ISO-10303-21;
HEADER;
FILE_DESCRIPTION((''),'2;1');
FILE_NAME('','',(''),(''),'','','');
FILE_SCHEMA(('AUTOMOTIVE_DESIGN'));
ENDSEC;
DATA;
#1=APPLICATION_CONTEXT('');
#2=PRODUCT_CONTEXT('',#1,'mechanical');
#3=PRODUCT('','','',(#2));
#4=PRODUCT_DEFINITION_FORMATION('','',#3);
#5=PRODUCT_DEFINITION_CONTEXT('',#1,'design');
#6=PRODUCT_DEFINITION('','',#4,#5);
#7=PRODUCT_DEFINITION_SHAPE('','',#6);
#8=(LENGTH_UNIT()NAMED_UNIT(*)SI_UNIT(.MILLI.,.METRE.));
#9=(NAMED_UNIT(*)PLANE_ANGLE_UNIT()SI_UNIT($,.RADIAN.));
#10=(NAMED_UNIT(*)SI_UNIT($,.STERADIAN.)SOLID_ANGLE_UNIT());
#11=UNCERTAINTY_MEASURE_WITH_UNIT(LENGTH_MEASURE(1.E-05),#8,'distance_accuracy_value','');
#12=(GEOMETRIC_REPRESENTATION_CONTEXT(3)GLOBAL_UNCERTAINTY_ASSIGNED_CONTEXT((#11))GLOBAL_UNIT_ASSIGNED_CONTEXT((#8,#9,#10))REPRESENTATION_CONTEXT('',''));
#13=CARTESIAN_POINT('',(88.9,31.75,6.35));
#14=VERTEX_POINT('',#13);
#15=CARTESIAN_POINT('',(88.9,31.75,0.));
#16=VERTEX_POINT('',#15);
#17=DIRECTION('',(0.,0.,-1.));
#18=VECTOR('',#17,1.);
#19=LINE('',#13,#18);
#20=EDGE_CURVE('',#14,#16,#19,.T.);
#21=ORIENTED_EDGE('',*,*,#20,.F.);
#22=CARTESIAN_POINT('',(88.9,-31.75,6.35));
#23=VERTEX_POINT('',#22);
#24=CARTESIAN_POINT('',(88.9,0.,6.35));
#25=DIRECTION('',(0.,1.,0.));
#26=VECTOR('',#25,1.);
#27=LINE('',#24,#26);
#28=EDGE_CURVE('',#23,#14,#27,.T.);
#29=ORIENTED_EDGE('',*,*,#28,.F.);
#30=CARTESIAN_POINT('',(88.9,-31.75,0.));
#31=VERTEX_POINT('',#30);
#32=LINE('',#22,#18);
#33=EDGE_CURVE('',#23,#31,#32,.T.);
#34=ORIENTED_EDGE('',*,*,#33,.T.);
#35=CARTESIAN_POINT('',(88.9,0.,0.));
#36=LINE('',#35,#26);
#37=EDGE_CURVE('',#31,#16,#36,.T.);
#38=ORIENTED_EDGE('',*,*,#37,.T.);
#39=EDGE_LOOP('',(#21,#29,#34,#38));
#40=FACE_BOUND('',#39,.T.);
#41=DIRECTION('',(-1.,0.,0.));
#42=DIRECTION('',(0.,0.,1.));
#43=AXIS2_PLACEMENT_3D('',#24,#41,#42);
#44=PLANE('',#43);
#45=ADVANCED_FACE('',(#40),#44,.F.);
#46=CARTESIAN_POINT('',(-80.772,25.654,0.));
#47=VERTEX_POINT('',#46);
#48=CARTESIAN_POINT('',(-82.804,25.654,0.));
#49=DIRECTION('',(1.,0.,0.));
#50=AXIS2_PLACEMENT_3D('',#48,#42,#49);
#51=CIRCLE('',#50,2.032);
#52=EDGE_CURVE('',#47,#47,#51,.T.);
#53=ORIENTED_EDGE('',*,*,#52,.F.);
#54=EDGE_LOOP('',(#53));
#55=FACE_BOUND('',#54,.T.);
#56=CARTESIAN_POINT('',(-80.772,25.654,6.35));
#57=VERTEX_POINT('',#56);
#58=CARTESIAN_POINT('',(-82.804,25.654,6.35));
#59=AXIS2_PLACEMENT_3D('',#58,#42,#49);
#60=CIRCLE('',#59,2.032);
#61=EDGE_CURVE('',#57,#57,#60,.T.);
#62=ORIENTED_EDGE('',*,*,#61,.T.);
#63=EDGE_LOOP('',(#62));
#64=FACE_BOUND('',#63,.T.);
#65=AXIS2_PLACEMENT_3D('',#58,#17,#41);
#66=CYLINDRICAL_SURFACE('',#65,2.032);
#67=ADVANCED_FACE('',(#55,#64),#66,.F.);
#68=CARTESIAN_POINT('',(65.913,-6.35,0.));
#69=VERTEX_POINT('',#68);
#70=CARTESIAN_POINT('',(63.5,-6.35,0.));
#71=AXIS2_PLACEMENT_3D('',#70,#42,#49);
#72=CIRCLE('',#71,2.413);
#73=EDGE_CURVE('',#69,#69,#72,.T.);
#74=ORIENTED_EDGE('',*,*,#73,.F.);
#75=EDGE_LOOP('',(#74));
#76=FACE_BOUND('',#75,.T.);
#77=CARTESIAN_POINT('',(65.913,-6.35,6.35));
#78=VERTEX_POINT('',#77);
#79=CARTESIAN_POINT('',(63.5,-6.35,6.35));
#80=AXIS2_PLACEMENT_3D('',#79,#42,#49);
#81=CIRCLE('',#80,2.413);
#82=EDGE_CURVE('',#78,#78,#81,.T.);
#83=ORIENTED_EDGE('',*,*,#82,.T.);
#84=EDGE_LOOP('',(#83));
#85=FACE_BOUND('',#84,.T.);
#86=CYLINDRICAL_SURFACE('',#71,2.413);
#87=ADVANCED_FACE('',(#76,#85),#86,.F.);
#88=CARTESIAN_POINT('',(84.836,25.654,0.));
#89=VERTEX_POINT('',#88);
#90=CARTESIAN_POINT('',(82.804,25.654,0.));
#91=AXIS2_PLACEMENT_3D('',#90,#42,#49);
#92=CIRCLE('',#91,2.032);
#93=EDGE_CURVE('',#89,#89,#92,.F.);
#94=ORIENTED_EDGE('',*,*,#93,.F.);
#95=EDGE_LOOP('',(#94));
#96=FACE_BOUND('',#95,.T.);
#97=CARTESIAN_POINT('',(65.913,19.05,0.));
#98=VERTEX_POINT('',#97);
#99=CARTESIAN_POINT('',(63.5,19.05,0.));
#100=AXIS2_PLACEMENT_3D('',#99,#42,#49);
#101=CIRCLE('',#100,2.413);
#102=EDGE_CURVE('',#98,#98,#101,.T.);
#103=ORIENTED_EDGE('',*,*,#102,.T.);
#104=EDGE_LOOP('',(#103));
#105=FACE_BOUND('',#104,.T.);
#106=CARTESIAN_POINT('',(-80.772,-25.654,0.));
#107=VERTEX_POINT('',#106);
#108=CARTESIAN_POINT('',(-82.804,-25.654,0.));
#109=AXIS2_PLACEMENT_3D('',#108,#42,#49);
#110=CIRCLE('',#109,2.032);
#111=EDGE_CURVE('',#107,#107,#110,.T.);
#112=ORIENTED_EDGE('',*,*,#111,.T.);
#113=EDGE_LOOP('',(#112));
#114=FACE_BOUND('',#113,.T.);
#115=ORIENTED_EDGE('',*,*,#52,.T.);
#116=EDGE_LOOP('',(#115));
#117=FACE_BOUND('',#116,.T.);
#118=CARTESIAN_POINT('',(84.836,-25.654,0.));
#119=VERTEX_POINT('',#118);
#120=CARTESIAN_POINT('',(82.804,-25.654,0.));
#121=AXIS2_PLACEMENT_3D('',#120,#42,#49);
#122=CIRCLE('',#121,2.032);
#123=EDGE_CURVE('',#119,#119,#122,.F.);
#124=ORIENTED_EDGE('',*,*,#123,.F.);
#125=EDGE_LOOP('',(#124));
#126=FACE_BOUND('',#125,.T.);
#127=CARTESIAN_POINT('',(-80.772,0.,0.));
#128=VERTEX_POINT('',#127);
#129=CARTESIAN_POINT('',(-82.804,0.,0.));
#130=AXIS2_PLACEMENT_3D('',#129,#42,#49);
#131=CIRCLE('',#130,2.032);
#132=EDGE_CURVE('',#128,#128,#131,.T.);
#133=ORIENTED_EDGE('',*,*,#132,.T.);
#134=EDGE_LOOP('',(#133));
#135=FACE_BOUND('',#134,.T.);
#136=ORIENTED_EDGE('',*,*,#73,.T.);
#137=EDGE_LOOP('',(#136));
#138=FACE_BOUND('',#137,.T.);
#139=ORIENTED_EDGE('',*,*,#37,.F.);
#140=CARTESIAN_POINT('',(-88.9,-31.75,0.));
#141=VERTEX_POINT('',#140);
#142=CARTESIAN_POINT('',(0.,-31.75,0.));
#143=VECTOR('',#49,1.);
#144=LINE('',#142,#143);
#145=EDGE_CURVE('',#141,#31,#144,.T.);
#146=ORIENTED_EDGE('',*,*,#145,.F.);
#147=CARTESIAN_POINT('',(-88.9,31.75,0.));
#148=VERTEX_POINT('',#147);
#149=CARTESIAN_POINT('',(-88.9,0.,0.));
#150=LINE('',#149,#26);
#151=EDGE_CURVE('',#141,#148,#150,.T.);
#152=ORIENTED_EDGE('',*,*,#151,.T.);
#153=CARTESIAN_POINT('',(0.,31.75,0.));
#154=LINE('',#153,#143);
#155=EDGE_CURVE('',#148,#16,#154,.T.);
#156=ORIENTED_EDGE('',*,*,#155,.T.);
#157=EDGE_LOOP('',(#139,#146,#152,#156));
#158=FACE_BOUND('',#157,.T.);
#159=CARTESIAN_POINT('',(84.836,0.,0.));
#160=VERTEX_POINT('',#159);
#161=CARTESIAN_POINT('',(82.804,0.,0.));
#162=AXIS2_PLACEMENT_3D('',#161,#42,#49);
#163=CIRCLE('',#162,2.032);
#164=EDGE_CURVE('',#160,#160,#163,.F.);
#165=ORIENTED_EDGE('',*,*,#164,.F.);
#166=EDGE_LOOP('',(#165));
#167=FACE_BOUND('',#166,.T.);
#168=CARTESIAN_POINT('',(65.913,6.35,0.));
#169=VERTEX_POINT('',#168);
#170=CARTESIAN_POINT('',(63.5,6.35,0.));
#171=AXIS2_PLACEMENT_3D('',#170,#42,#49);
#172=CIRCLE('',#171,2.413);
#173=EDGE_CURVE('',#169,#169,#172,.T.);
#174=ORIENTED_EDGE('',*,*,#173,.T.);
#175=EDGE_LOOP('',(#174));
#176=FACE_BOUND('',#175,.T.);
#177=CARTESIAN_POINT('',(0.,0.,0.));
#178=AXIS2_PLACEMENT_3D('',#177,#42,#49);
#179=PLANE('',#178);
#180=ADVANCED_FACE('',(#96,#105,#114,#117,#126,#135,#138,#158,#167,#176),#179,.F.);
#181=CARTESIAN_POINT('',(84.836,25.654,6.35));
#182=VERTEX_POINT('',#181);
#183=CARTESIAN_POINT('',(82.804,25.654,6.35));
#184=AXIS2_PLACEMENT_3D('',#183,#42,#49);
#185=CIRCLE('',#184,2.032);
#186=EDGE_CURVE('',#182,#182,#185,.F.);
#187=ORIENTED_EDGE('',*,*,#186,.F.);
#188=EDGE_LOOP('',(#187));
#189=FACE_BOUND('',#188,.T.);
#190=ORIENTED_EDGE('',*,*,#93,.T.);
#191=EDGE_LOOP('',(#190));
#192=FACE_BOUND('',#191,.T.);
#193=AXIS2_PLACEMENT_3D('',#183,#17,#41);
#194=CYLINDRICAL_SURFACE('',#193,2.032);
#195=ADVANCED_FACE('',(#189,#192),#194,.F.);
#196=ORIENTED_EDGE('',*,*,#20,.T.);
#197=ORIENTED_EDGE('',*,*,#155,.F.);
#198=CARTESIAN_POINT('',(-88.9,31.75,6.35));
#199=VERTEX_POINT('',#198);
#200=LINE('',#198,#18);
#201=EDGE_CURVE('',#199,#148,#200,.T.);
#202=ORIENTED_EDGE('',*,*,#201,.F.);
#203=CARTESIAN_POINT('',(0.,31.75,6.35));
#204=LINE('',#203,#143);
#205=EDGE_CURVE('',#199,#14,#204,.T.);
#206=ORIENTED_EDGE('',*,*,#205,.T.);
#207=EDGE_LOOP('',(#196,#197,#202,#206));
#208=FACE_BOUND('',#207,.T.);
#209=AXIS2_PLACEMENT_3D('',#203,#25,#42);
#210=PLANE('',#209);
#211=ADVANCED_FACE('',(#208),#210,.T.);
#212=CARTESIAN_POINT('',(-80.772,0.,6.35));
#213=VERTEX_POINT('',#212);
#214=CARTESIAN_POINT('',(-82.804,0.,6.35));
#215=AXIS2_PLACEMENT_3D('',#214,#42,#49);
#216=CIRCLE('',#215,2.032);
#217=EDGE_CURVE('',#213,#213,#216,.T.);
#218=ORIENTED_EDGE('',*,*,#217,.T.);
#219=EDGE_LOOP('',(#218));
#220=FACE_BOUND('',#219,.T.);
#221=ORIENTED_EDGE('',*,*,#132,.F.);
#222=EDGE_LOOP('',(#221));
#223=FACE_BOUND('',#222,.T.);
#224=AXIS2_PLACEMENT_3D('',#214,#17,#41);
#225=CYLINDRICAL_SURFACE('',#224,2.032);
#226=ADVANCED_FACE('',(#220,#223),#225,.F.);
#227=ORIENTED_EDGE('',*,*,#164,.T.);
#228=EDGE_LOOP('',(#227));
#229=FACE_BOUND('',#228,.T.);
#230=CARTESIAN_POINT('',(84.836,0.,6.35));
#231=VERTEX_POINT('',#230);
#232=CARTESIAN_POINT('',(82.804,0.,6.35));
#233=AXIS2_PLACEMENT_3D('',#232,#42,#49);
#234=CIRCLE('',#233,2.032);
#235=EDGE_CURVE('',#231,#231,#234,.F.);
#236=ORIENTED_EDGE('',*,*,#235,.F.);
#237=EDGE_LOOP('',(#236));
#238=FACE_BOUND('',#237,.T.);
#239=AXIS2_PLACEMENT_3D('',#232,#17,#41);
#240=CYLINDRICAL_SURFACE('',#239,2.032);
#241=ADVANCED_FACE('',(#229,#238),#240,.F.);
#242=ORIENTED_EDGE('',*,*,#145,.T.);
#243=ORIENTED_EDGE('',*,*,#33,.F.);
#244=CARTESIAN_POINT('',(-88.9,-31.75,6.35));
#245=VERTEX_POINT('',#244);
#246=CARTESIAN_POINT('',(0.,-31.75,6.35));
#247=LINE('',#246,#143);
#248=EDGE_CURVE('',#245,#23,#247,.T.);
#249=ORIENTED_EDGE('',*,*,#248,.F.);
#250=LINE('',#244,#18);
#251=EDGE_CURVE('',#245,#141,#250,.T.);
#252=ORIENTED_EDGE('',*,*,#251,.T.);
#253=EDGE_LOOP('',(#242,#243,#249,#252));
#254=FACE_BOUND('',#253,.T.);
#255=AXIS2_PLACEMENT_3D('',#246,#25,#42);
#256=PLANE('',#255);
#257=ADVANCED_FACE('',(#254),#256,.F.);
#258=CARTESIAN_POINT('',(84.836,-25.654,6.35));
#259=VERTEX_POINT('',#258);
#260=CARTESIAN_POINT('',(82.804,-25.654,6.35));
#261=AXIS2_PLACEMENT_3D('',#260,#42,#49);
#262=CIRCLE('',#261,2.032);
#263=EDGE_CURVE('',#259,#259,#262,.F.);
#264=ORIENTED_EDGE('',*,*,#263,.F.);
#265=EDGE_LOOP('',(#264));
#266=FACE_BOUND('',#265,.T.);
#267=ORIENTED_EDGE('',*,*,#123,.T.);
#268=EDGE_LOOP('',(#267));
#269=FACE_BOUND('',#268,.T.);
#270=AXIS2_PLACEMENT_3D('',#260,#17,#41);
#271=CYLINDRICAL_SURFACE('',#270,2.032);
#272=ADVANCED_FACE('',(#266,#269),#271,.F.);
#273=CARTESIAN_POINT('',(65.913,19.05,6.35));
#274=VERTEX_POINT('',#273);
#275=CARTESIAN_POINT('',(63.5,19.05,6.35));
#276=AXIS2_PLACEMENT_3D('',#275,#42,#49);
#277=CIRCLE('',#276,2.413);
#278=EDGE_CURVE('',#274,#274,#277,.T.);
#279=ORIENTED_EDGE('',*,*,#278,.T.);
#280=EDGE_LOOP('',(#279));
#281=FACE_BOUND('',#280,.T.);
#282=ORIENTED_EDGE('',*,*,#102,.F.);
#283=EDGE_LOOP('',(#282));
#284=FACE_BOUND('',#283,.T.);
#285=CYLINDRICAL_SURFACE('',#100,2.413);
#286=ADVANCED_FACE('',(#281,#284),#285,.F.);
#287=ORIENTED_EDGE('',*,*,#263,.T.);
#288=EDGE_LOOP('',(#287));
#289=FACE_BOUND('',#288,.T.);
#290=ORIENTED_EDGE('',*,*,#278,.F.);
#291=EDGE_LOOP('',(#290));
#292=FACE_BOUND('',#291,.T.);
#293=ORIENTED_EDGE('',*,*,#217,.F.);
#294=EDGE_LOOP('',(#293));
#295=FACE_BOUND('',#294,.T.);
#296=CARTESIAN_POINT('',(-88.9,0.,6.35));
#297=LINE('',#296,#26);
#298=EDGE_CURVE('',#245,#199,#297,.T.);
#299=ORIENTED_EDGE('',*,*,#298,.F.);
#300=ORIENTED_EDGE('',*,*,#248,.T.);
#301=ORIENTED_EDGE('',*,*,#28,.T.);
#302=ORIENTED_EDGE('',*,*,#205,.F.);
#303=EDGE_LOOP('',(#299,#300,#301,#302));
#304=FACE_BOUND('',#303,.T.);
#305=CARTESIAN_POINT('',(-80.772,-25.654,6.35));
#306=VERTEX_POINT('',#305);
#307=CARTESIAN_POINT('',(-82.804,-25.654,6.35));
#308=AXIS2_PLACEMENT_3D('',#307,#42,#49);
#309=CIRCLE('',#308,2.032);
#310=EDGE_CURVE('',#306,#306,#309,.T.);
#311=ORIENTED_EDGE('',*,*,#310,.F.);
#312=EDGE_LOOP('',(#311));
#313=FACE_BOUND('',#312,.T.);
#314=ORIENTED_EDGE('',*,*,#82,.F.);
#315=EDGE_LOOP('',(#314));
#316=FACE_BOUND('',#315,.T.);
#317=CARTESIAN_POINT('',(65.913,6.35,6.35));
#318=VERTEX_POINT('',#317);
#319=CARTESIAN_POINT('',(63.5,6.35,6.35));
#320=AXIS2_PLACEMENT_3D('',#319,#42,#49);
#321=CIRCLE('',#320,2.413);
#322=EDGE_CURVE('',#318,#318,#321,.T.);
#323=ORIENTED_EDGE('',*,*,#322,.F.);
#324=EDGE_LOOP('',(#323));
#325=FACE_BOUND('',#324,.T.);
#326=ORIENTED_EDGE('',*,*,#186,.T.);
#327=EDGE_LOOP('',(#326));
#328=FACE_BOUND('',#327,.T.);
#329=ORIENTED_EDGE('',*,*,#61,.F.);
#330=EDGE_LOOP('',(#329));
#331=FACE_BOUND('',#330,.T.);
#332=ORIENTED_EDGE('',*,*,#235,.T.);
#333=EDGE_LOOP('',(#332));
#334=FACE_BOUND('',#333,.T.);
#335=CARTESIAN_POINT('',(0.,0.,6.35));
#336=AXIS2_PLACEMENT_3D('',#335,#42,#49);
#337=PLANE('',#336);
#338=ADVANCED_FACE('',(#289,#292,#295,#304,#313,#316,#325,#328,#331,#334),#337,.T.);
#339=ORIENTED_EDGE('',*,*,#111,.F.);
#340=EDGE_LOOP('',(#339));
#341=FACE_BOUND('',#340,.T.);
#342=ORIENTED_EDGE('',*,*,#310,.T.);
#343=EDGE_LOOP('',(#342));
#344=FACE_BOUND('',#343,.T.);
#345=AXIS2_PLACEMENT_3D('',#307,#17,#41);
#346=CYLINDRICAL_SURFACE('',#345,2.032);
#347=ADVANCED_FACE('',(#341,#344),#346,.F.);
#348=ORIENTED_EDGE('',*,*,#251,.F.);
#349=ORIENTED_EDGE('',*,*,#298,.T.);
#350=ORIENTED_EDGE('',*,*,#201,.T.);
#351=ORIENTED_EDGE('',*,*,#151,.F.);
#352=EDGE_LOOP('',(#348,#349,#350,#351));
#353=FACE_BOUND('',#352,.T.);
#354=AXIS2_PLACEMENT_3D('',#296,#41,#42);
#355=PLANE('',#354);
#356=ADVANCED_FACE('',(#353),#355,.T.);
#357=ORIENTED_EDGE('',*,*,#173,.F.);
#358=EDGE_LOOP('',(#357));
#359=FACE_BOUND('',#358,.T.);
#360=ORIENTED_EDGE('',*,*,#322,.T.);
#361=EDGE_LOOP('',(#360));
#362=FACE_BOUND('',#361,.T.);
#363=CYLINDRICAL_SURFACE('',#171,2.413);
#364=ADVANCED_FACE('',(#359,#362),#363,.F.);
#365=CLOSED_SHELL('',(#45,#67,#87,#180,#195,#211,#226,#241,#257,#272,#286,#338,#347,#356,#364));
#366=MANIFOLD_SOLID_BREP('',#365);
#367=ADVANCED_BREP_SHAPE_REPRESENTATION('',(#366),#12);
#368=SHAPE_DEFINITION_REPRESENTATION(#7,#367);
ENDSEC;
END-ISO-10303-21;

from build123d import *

# Parameters (mm, degrees)
SKETCH1_W           = 177.8
SKETCH1_H           = 63.5
SKETCH1_R           = 2.032
BOSS_EXTRUDE1_DEPTH = 6.35
SKETCH2_R           = 2.413
CUT_EXTRUDE1_DEPTH  = 6.35
LPATTERN1_COUNT     = 3
LPATTERN1_PITCH     = 12.7


with BuildPart() as part:
    # Sketch1 → Boss-Extrude1 (new body)
    with BuildSketch(Plane.XY):
        Rectangle(SKETCH1_W, SKETCH1_H)
        with Locations((-82.804, 25.654)):
            Circle(SKETCH1_R, mode=Mode.SUBTRACT)
        with Locations((-82.804, 0)):
            Circle(SKETCH1_R, mode=Mode.SUBTRACT)
        with Locations((-82.804, -25.654)):
            Circle(SKETCH1_R, mode=Mode.SUBTRACT)
        with Locations((82.804, -25.654)):
            Circle(SKETCH1_R, mode=Mode.SUBTRACT)
        with Locations((82.804, 0)):
            Circle(SKETCH1_R, mode=Mode.SUBTRACT)
        with Locations((82.804, 25.654)):
            Circle(SKETCH1_R, mode=Mode.SUBTRACT)
    extrude(amount=BOSS_EXTRUDE1_DEPTH)

    # Sketch2 → Cut-Extrude1 (cut)
    with BuildSketch(Plane.XY.offset(6.35)):
        with Locations((63.5, 19.05)):
            Circle(SKETCH2_R)
    cut_extrude1 = extrude(amount=-CUT_EXTRUDE1_DEPTH, mode=Mode.SUBTRACT)

    # LPattern1: Cut-Extrude1 ×3
    with Locations(*[(0, -i * LPATTERN1_PITCH, 0) for i in range(1, LPATTERN1_COUNT)]):
        add(cut_extrude1, mode=Mode.SUBTRACT)


solid = part.part
